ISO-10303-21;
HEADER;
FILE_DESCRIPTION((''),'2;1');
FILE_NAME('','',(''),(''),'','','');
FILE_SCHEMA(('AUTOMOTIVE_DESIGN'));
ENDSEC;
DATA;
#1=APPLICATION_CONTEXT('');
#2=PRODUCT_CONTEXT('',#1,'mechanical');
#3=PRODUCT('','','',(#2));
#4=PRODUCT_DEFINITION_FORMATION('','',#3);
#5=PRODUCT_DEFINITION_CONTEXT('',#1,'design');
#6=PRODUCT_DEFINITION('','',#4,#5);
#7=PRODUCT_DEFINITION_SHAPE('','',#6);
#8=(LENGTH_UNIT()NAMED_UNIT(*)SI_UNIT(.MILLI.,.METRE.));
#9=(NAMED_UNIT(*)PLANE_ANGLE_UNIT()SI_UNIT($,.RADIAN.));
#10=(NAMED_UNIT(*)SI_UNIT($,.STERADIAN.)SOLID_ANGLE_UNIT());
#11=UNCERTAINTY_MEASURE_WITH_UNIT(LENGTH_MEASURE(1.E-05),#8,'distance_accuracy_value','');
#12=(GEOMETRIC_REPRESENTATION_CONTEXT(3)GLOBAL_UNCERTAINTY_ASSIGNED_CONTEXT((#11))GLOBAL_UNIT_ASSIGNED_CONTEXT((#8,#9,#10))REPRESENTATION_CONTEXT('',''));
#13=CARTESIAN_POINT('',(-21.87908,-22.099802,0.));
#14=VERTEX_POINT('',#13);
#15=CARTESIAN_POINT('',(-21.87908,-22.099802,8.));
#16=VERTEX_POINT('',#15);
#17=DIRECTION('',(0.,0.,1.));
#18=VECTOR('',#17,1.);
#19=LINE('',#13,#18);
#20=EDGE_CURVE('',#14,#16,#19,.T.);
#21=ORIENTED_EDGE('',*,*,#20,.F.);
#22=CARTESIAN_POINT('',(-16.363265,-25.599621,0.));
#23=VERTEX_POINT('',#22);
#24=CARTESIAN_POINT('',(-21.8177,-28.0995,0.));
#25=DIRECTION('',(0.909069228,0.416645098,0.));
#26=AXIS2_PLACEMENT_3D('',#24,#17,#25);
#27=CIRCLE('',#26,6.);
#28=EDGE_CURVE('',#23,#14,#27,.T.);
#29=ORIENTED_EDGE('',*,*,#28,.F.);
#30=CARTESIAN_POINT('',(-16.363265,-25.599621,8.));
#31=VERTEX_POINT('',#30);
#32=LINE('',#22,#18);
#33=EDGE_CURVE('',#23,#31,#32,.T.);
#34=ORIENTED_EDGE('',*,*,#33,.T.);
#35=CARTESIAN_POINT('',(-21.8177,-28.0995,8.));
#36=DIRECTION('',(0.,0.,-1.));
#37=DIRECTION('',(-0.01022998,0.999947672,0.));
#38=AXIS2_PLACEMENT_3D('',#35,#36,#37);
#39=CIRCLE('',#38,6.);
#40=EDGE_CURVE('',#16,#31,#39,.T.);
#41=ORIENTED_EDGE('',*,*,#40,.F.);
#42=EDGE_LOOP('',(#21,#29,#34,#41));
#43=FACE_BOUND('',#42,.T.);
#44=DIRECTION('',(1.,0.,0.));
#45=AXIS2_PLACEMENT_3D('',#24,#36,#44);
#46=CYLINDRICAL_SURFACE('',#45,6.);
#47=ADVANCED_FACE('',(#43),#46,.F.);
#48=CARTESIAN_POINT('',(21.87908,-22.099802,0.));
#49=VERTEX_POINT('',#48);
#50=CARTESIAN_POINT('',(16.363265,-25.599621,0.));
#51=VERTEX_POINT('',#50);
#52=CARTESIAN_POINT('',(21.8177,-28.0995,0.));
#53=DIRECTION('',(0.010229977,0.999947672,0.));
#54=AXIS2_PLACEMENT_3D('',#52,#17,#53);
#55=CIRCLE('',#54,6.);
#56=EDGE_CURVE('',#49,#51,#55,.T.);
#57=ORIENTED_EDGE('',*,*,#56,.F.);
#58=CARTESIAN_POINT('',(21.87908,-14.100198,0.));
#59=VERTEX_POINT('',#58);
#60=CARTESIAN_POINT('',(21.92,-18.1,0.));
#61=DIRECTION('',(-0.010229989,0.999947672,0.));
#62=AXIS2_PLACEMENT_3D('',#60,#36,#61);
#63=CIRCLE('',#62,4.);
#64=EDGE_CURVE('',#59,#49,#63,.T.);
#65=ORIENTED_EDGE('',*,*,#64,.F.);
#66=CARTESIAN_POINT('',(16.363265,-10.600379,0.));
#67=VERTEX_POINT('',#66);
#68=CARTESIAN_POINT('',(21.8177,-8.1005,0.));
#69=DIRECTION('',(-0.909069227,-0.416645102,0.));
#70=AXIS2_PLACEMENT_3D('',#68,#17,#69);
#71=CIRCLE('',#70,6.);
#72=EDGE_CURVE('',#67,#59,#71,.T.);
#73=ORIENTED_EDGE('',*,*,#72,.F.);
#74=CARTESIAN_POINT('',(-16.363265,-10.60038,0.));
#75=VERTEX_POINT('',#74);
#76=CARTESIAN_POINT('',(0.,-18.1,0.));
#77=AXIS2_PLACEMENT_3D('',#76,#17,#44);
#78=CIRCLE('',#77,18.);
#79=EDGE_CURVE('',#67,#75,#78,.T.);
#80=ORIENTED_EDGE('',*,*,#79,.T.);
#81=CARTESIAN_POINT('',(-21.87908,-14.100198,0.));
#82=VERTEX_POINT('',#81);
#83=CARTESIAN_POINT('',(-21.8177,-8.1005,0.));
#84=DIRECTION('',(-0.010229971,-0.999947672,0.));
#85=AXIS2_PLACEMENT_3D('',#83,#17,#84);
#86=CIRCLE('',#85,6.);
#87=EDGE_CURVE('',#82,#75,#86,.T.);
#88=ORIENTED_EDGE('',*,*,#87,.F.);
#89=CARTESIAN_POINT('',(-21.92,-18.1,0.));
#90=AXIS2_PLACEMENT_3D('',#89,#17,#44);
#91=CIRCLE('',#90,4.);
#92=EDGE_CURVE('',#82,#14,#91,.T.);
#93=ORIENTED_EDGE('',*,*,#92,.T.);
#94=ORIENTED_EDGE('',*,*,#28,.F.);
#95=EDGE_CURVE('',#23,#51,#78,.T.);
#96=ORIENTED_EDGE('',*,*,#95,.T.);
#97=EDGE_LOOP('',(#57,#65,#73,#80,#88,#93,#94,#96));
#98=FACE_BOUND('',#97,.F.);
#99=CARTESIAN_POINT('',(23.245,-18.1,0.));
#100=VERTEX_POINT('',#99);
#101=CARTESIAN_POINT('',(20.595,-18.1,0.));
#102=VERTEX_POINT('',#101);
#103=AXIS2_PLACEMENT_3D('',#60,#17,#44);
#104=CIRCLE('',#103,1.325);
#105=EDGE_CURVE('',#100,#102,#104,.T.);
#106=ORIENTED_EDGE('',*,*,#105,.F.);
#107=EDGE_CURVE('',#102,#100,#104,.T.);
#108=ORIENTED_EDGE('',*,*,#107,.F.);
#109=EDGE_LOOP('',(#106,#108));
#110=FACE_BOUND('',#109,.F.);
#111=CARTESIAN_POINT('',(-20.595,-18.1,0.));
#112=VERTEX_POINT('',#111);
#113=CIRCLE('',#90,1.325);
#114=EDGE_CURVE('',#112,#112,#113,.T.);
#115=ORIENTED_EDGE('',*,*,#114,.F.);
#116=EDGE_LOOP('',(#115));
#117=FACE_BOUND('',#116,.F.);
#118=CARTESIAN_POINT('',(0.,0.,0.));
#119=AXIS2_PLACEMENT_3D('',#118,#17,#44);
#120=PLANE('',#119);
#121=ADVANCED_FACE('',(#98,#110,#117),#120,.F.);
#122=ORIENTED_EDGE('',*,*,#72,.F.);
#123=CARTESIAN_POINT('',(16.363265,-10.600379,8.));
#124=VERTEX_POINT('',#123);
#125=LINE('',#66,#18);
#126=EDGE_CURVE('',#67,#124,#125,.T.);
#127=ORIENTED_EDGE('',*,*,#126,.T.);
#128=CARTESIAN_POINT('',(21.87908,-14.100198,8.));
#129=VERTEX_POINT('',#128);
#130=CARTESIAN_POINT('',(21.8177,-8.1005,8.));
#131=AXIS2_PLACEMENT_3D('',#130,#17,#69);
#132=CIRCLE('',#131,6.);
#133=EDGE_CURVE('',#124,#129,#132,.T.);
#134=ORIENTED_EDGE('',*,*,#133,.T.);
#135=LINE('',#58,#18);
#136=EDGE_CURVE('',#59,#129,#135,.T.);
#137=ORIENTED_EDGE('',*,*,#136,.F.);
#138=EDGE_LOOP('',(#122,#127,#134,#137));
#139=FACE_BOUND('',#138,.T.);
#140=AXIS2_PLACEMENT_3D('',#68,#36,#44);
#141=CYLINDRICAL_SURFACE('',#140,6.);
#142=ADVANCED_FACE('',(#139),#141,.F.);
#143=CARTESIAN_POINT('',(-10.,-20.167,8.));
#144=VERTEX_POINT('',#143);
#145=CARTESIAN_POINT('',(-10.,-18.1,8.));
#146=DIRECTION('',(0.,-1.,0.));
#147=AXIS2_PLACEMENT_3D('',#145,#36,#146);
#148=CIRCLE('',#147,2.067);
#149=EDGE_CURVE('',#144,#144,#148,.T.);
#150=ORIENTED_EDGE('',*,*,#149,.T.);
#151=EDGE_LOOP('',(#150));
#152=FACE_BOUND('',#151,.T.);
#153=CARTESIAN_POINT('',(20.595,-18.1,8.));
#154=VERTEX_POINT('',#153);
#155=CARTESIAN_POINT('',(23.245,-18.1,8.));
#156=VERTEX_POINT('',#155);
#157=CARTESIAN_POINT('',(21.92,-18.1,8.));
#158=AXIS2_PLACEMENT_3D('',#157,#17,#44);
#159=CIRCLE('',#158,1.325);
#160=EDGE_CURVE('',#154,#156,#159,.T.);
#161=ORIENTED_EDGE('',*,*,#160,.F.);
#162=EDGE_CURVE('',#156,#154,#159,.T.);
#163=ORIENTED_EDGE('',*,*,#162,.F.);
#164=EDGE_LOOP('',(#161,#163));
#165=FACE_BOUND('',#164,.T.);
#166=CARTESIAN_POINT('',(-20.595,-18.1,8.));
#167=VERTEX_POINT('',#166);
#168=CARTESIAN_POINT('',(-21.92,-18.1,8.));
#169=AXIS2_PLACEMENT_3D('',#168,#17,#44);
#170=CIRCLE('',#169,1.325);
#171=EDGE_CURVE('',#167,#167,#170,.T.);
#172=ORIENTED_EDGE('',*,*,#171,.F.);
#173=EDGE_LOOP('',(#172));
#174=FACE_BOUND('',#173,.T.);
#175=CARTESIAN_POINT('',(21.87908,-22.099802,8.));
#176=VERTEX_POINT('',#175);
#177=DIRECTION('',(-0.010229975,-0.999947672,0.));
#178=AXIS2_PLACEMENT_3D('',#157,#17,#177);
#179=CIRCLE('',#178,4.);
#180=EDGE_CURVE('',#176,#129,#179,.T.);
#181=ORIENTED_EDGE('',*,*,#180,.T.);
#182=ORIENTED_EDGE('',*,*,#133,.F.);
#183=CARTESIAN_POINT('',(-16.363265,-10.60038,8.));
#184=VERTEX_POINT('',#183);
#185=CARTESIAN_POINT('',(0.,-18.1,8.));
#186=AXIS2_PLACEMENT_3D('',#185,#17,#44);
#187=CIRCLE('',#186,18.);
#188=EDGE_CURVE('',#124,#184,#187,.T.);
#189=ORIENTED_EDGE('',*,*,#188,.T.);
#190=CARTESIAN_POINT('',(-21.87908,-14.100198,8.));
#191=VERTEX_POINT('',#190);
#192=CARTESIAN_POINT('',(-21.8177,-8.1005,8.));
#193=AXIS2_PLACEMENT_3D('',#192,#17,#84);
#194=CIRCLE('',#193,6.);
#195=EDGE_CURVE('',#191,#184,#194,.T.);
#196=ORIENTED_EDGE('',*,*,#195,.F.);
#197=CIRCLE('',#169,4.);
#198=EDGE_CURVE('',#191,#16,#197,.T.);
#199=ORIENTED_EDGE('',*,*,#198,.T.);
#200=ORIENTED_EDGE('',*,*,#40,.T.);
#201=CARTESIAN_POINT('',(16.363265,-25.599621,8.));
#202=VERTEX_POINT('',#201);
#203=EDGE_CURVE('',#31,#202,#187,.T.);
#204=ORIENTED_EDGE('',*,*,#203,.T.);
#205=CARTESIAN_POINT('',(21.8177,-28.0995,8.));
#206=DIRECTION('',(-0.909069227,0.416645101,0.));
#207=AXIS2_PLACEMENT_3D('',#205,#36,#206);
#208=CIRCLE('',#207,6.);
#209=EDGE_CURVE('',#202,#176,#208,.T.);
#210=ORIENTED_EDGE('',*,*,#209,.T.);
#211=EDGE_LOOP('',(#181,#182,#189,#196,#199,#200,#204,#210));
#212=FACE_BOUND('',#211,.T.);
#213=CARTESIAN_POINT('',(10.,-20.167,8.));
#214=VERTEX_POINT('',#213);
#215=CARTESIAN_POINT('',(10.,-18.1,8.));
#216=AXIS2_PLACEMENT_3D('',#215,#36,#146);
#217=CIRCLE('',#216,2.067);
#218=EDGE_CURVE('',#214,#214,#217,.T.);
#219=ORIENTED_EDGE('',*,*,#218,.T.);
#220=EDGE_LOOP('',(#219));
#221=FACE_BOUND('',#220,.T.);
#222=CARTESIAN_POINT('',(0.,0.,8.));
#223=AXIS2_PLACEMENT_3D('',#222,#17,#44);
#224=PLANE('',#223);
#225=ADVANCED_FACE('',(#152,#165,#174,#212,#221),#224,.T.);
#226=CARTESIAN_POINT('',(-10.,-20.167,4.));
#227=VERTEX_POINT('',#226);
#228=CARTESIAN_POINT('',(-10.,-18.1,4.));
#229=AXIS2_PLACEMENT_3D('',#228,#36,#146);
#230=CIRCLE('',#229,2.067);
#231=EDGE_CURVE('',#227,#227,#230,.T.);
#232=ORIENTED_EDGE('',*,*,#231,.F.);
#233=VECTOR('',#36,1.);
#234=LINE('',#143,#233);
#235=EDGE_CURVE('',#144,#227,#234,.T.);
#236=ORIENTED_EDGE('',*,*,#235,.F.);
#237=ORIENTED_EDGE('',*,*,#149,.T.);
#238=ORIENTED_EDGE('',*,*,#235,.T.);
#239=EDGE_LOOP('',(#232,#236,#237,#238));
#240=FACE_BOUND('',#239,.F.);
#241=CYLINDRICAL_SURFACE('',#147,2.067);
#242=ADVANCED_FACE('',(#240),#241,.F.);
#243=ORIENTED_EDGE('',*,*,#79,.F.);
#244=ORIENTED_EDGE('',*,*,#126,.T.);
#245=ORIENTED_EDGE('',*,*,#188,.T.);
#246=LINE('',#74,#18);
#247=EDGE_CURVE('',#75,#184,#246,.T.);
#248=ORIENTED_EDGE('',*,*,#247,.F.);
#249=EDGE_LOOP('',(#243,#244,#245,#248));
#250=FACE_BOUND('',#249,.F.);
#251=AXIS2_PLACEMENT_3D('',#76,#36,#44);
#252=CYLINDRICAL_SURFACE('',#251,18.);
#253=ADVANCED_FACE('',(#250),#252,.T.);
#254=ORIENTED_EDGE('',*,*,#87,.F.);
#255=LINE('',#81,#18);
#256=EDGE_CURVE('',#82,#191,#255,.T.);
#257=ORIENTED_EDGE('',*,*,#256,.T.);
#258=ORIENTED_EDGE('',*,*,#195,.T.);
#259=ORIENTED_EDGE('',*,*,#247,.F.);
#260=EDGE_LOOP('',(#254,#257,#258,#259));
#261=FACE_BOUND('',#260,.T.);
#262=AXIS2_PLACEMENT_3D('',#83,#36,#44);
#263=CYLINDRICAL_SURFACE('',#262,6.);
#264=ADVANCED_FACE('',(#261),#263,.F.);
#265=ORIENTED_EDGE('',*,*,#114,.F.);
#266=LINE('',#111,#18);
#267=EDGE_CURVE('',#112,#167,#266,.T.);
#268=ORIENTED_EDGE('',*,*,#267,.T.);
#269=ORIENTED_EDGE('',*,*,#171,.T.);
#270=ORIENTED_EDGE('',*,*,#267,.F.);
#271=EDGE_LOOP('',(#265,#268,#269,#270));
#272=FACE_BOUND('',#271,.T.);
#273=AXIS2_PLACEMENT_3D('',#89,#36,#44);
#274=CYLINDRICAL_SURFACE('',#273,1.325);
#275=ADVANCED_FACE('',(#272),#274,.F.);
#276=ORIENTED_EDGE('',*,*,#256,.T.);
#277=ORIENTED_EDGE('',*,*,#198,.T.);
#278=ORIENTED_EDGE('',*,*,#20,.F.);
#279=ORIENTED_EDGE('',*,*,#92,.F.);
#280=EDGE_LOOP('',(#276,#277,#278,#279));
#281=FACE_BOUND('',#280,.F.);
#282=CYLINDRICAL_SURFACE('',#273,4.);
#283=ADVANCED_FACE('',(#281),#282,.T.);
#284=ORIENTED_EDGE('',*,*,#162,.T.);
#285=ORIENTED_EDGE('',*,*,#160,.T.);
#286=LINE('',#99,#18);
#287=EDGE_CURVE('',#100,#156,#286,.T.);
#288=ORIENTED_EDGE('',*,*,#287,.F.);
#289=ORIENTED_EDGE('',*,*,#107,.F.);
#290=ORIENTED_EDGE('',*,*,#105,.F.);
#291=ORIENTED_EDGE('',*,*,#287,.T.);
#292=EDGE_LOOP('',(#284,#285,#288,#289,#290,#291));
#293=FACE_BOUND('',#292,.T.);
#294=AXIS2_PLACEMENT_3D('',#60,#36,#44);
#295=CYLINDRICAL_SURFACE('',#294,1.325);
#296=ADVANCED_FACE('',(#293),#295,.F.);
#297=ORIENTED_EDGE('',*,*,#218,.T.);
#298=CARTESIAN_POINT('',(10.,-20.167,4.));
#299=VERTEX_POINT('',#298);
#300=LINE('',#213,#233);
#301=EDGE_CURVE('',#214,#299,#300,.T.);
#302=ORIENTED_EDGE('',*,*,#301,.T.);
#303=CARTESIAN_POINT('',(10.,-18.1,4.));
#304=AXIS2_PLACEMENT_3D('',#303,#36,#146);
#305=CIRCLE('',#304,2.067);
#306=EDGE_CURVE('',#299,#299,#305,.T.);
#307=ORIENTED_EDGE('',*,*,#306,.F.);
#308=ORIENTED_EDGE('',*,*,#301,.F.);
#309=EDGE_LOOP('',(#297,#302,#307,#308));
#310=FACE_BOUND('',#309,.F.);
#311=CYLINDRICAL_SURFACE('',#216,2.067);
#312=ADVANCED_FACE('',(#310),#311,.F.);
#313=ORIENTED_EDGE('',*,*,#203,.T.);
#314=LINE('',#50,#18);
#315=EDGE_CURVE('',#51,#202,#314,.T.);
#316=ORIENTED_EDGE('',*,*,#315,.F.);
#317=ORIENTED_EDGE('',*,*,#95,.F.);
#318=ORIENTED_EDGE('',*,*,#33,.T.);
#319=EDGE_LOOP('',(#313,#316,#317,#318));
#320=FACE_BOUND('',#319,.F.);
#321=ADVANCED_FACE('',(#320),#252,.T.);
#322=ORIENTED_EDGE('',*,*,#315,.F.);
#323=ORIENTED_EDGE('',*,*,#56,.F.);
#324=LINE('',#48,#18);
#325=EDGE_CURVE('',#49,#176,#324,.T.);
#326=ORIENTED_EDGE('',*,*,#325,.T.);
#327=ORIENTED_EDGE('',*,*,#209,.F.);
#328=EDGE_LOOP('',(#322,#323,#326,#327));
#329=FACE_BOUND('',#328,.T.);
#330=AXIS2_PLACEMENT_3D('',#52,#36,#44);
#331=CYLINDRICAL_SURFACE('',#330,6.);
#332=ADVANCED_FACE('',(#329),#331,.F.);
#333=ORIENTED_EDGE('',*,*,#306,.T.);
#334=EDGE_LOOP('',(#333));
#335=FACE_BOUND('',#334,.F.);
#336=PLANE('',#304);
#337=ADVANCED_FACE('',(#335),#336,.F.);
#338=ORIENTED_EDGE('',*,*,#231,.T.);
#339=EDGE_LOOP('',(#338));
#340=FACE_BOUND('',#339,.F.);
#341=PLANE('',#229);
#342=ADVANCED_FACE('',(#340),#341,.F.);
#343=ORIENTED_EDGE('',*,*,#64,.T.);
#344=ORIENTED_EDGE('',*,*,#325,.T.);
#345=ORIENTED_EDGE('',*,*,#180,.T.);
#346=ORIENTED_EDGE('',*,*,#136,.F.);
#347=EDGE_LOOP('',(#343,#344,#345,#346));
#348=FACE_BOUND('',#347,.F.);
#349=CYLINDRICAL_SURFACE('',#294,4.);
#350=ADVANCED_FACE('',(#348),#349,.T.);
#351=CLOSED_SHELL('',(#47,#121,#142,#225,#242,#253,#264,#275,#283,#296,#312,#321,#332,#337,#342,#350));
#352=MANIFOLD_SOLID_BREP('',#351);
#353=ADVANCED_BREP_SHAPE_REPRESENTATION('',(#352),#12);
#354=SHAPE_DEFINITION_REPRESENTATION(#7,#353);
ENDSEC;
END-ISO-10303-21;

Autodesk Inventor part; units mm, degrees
ref_plane "YZ Plane" through (0, 0, 0) normal (1, 0, 0) x (0, 1, 0)
ref_plane "XZ Plane" through (0, 0, 0) normal (0, 1, 0) x (-1, 0, 0)
ref_plane "XY Plane" through (0, 0, 0) normal (0, 0, 1) x (1, 0, 0)
sketch "Sketch1" plane through (0, 0, 0) normal (0, 0, 1) x (1, 0, 0)
  circle A0 centre (0, -18.1) radius 17.9 projected
  circle A1 centre (0, -18.1) radius 2.9 projected
  circle A2 centre (-13.5, -18.1) radius 1.525 projected
  circle A3 centre (13.5, -18.1) radius 1.525 projected
  circle A4 centre (0, -18.1) radius 18
  arc A5 (23.0705, -21.2782) -> (23.0705, -14.9218) centre (21.92, -18.1) ccw projected
  line L0 (23.0705, -14.9218) -> (17.5529, -12.9245) projected
  arc A6 (17.5529, -23.2755) -> (17.5529, -12.9245) centre (0, -18.1) ccw projected
  line L1 (17.5529, -23.2755) -> (23.0705, -21.2782) projected
  circle A7 centre (21.92, -18.1) radius 1.325 projected
  arc A8 (-23.0705, -14.9218) -> (-23.0705, -21.2782) centre (-21.92, -18.1) ccw projected
  line L2 (-23.0705, -21.2782) -> (-17.5529, -23.2755) projected
  arc A9 (-17.5529, -12.9245) -> (-17.5529, -23.2755) centre (0, -18.1) ccw projected
  line L3 (-17.5529, -12.9245) -> (-23.0705, -14.9218) projected
  circle A10 centre (-21.92, -18.1) radius 1.325 projected
  line L4 (0, -18.1) -> (-21.92, -18.1)
  line L5 (-21.92, -18.1) -> (21.92, -18.1)
  circle A11 centre (21.92, -18.1) radius 4
  circle A12 centre (-21.92, -18.1) radius 4
  circle A13 centre (21.8177, -28.0995) radius 6
  circle A14 centre (21.8177, -8.1005) radius 6
  circle A15 centre (-21.8177, -28.0995) radius 6
  circle A16 centre (-21.8177, -8.1005) radius 6
  point P0 (0, 0)
  point P1 (16.3632, -25.5996)
  point P2 (21.8791, -22.0998)
  point P3 (21.8791, -14.1002)
  point P4 (16.3632, -10.6004)
  point P5 (-16.3632, -10.6004)
  point P6 (-21.8791, -14.1002)
  point P7 (-21.8791, -22.0998)
  point P8 (-16.3632, -25.5996)
  dimension "d0" = 36
  dimension "d1" = 8
  dimension "d2" = 8
  dimension "d3" = 12
  dimension "d4" = 12
  dimension "d5" = 12
  dimension "d6" = 12
extrude "Extrusion1" add sketch "Sketch1" along normal blind 8 contours L5 A3 A1 L4 A2 A0 | L5 A11 A4 A12 L4 A0 | A0 L4 A2 A1 L5 A3 | A0 L4 A12 A4 A11 L5 | L5 A3 | A3 L5 | A11 A4 L5 | L5 A4 A11 | L4 A2 | A2 L4 | A12 A4 L4 | L4 A4 A12 | L5 A6 A11 A4 | A4 A11 A6 L5 | A4 A14 L0 A6 A11 | A11 A6 L1 A13 A4 | L4 A9 A12 A4 | A4 A12 A9 L4 | A12 A9 L3 A16 A4 | A4 A15 L2 A9 A12 | L5 L4 A1 | A1 L4 L5 | A6 A11 L0 A5 L1 | A6 L0 A14 A11 | A11 L1 A13 A6 | A9 A12 L2 A8 L3 | A12 L3 A16 A9 | A9 L2 A15 A12 | A11 L1 A5 L0 | L0 A14 A11 | A11 A13 L1 | A12 A16 L3 | L3 A8 L2 A12 | L2 A15 A12
sketch "Sketch2" plane through (0, 0, 8) normal (0, 0, 1) x (1, 0, 0)
  circle A0 centre (21.92, -18.1) radius 1.325 projected
  circle A1 centre (-21.92, -18.1) radius 1.325 projected
  line L0 (21.92, -18.1) -> (-21.92, -18.1)
  line L1 (0, -18.1) -> (-10, -18.1)
  line L2 (0, -18.1) -> (10, -18.1)
  point P0 (0, 0)
  dimension "d9" = 10
  dimension "d10" = 10
hole "Hole1" at (10, -18.1, 8) at (-10, -18.1, 8) direction (0, 0, -1) diameter 4.134 depth 4 thread size "M5x0.8" class "6H" standard "ISO Metric profile"
properties part number "extruder waterblock"
